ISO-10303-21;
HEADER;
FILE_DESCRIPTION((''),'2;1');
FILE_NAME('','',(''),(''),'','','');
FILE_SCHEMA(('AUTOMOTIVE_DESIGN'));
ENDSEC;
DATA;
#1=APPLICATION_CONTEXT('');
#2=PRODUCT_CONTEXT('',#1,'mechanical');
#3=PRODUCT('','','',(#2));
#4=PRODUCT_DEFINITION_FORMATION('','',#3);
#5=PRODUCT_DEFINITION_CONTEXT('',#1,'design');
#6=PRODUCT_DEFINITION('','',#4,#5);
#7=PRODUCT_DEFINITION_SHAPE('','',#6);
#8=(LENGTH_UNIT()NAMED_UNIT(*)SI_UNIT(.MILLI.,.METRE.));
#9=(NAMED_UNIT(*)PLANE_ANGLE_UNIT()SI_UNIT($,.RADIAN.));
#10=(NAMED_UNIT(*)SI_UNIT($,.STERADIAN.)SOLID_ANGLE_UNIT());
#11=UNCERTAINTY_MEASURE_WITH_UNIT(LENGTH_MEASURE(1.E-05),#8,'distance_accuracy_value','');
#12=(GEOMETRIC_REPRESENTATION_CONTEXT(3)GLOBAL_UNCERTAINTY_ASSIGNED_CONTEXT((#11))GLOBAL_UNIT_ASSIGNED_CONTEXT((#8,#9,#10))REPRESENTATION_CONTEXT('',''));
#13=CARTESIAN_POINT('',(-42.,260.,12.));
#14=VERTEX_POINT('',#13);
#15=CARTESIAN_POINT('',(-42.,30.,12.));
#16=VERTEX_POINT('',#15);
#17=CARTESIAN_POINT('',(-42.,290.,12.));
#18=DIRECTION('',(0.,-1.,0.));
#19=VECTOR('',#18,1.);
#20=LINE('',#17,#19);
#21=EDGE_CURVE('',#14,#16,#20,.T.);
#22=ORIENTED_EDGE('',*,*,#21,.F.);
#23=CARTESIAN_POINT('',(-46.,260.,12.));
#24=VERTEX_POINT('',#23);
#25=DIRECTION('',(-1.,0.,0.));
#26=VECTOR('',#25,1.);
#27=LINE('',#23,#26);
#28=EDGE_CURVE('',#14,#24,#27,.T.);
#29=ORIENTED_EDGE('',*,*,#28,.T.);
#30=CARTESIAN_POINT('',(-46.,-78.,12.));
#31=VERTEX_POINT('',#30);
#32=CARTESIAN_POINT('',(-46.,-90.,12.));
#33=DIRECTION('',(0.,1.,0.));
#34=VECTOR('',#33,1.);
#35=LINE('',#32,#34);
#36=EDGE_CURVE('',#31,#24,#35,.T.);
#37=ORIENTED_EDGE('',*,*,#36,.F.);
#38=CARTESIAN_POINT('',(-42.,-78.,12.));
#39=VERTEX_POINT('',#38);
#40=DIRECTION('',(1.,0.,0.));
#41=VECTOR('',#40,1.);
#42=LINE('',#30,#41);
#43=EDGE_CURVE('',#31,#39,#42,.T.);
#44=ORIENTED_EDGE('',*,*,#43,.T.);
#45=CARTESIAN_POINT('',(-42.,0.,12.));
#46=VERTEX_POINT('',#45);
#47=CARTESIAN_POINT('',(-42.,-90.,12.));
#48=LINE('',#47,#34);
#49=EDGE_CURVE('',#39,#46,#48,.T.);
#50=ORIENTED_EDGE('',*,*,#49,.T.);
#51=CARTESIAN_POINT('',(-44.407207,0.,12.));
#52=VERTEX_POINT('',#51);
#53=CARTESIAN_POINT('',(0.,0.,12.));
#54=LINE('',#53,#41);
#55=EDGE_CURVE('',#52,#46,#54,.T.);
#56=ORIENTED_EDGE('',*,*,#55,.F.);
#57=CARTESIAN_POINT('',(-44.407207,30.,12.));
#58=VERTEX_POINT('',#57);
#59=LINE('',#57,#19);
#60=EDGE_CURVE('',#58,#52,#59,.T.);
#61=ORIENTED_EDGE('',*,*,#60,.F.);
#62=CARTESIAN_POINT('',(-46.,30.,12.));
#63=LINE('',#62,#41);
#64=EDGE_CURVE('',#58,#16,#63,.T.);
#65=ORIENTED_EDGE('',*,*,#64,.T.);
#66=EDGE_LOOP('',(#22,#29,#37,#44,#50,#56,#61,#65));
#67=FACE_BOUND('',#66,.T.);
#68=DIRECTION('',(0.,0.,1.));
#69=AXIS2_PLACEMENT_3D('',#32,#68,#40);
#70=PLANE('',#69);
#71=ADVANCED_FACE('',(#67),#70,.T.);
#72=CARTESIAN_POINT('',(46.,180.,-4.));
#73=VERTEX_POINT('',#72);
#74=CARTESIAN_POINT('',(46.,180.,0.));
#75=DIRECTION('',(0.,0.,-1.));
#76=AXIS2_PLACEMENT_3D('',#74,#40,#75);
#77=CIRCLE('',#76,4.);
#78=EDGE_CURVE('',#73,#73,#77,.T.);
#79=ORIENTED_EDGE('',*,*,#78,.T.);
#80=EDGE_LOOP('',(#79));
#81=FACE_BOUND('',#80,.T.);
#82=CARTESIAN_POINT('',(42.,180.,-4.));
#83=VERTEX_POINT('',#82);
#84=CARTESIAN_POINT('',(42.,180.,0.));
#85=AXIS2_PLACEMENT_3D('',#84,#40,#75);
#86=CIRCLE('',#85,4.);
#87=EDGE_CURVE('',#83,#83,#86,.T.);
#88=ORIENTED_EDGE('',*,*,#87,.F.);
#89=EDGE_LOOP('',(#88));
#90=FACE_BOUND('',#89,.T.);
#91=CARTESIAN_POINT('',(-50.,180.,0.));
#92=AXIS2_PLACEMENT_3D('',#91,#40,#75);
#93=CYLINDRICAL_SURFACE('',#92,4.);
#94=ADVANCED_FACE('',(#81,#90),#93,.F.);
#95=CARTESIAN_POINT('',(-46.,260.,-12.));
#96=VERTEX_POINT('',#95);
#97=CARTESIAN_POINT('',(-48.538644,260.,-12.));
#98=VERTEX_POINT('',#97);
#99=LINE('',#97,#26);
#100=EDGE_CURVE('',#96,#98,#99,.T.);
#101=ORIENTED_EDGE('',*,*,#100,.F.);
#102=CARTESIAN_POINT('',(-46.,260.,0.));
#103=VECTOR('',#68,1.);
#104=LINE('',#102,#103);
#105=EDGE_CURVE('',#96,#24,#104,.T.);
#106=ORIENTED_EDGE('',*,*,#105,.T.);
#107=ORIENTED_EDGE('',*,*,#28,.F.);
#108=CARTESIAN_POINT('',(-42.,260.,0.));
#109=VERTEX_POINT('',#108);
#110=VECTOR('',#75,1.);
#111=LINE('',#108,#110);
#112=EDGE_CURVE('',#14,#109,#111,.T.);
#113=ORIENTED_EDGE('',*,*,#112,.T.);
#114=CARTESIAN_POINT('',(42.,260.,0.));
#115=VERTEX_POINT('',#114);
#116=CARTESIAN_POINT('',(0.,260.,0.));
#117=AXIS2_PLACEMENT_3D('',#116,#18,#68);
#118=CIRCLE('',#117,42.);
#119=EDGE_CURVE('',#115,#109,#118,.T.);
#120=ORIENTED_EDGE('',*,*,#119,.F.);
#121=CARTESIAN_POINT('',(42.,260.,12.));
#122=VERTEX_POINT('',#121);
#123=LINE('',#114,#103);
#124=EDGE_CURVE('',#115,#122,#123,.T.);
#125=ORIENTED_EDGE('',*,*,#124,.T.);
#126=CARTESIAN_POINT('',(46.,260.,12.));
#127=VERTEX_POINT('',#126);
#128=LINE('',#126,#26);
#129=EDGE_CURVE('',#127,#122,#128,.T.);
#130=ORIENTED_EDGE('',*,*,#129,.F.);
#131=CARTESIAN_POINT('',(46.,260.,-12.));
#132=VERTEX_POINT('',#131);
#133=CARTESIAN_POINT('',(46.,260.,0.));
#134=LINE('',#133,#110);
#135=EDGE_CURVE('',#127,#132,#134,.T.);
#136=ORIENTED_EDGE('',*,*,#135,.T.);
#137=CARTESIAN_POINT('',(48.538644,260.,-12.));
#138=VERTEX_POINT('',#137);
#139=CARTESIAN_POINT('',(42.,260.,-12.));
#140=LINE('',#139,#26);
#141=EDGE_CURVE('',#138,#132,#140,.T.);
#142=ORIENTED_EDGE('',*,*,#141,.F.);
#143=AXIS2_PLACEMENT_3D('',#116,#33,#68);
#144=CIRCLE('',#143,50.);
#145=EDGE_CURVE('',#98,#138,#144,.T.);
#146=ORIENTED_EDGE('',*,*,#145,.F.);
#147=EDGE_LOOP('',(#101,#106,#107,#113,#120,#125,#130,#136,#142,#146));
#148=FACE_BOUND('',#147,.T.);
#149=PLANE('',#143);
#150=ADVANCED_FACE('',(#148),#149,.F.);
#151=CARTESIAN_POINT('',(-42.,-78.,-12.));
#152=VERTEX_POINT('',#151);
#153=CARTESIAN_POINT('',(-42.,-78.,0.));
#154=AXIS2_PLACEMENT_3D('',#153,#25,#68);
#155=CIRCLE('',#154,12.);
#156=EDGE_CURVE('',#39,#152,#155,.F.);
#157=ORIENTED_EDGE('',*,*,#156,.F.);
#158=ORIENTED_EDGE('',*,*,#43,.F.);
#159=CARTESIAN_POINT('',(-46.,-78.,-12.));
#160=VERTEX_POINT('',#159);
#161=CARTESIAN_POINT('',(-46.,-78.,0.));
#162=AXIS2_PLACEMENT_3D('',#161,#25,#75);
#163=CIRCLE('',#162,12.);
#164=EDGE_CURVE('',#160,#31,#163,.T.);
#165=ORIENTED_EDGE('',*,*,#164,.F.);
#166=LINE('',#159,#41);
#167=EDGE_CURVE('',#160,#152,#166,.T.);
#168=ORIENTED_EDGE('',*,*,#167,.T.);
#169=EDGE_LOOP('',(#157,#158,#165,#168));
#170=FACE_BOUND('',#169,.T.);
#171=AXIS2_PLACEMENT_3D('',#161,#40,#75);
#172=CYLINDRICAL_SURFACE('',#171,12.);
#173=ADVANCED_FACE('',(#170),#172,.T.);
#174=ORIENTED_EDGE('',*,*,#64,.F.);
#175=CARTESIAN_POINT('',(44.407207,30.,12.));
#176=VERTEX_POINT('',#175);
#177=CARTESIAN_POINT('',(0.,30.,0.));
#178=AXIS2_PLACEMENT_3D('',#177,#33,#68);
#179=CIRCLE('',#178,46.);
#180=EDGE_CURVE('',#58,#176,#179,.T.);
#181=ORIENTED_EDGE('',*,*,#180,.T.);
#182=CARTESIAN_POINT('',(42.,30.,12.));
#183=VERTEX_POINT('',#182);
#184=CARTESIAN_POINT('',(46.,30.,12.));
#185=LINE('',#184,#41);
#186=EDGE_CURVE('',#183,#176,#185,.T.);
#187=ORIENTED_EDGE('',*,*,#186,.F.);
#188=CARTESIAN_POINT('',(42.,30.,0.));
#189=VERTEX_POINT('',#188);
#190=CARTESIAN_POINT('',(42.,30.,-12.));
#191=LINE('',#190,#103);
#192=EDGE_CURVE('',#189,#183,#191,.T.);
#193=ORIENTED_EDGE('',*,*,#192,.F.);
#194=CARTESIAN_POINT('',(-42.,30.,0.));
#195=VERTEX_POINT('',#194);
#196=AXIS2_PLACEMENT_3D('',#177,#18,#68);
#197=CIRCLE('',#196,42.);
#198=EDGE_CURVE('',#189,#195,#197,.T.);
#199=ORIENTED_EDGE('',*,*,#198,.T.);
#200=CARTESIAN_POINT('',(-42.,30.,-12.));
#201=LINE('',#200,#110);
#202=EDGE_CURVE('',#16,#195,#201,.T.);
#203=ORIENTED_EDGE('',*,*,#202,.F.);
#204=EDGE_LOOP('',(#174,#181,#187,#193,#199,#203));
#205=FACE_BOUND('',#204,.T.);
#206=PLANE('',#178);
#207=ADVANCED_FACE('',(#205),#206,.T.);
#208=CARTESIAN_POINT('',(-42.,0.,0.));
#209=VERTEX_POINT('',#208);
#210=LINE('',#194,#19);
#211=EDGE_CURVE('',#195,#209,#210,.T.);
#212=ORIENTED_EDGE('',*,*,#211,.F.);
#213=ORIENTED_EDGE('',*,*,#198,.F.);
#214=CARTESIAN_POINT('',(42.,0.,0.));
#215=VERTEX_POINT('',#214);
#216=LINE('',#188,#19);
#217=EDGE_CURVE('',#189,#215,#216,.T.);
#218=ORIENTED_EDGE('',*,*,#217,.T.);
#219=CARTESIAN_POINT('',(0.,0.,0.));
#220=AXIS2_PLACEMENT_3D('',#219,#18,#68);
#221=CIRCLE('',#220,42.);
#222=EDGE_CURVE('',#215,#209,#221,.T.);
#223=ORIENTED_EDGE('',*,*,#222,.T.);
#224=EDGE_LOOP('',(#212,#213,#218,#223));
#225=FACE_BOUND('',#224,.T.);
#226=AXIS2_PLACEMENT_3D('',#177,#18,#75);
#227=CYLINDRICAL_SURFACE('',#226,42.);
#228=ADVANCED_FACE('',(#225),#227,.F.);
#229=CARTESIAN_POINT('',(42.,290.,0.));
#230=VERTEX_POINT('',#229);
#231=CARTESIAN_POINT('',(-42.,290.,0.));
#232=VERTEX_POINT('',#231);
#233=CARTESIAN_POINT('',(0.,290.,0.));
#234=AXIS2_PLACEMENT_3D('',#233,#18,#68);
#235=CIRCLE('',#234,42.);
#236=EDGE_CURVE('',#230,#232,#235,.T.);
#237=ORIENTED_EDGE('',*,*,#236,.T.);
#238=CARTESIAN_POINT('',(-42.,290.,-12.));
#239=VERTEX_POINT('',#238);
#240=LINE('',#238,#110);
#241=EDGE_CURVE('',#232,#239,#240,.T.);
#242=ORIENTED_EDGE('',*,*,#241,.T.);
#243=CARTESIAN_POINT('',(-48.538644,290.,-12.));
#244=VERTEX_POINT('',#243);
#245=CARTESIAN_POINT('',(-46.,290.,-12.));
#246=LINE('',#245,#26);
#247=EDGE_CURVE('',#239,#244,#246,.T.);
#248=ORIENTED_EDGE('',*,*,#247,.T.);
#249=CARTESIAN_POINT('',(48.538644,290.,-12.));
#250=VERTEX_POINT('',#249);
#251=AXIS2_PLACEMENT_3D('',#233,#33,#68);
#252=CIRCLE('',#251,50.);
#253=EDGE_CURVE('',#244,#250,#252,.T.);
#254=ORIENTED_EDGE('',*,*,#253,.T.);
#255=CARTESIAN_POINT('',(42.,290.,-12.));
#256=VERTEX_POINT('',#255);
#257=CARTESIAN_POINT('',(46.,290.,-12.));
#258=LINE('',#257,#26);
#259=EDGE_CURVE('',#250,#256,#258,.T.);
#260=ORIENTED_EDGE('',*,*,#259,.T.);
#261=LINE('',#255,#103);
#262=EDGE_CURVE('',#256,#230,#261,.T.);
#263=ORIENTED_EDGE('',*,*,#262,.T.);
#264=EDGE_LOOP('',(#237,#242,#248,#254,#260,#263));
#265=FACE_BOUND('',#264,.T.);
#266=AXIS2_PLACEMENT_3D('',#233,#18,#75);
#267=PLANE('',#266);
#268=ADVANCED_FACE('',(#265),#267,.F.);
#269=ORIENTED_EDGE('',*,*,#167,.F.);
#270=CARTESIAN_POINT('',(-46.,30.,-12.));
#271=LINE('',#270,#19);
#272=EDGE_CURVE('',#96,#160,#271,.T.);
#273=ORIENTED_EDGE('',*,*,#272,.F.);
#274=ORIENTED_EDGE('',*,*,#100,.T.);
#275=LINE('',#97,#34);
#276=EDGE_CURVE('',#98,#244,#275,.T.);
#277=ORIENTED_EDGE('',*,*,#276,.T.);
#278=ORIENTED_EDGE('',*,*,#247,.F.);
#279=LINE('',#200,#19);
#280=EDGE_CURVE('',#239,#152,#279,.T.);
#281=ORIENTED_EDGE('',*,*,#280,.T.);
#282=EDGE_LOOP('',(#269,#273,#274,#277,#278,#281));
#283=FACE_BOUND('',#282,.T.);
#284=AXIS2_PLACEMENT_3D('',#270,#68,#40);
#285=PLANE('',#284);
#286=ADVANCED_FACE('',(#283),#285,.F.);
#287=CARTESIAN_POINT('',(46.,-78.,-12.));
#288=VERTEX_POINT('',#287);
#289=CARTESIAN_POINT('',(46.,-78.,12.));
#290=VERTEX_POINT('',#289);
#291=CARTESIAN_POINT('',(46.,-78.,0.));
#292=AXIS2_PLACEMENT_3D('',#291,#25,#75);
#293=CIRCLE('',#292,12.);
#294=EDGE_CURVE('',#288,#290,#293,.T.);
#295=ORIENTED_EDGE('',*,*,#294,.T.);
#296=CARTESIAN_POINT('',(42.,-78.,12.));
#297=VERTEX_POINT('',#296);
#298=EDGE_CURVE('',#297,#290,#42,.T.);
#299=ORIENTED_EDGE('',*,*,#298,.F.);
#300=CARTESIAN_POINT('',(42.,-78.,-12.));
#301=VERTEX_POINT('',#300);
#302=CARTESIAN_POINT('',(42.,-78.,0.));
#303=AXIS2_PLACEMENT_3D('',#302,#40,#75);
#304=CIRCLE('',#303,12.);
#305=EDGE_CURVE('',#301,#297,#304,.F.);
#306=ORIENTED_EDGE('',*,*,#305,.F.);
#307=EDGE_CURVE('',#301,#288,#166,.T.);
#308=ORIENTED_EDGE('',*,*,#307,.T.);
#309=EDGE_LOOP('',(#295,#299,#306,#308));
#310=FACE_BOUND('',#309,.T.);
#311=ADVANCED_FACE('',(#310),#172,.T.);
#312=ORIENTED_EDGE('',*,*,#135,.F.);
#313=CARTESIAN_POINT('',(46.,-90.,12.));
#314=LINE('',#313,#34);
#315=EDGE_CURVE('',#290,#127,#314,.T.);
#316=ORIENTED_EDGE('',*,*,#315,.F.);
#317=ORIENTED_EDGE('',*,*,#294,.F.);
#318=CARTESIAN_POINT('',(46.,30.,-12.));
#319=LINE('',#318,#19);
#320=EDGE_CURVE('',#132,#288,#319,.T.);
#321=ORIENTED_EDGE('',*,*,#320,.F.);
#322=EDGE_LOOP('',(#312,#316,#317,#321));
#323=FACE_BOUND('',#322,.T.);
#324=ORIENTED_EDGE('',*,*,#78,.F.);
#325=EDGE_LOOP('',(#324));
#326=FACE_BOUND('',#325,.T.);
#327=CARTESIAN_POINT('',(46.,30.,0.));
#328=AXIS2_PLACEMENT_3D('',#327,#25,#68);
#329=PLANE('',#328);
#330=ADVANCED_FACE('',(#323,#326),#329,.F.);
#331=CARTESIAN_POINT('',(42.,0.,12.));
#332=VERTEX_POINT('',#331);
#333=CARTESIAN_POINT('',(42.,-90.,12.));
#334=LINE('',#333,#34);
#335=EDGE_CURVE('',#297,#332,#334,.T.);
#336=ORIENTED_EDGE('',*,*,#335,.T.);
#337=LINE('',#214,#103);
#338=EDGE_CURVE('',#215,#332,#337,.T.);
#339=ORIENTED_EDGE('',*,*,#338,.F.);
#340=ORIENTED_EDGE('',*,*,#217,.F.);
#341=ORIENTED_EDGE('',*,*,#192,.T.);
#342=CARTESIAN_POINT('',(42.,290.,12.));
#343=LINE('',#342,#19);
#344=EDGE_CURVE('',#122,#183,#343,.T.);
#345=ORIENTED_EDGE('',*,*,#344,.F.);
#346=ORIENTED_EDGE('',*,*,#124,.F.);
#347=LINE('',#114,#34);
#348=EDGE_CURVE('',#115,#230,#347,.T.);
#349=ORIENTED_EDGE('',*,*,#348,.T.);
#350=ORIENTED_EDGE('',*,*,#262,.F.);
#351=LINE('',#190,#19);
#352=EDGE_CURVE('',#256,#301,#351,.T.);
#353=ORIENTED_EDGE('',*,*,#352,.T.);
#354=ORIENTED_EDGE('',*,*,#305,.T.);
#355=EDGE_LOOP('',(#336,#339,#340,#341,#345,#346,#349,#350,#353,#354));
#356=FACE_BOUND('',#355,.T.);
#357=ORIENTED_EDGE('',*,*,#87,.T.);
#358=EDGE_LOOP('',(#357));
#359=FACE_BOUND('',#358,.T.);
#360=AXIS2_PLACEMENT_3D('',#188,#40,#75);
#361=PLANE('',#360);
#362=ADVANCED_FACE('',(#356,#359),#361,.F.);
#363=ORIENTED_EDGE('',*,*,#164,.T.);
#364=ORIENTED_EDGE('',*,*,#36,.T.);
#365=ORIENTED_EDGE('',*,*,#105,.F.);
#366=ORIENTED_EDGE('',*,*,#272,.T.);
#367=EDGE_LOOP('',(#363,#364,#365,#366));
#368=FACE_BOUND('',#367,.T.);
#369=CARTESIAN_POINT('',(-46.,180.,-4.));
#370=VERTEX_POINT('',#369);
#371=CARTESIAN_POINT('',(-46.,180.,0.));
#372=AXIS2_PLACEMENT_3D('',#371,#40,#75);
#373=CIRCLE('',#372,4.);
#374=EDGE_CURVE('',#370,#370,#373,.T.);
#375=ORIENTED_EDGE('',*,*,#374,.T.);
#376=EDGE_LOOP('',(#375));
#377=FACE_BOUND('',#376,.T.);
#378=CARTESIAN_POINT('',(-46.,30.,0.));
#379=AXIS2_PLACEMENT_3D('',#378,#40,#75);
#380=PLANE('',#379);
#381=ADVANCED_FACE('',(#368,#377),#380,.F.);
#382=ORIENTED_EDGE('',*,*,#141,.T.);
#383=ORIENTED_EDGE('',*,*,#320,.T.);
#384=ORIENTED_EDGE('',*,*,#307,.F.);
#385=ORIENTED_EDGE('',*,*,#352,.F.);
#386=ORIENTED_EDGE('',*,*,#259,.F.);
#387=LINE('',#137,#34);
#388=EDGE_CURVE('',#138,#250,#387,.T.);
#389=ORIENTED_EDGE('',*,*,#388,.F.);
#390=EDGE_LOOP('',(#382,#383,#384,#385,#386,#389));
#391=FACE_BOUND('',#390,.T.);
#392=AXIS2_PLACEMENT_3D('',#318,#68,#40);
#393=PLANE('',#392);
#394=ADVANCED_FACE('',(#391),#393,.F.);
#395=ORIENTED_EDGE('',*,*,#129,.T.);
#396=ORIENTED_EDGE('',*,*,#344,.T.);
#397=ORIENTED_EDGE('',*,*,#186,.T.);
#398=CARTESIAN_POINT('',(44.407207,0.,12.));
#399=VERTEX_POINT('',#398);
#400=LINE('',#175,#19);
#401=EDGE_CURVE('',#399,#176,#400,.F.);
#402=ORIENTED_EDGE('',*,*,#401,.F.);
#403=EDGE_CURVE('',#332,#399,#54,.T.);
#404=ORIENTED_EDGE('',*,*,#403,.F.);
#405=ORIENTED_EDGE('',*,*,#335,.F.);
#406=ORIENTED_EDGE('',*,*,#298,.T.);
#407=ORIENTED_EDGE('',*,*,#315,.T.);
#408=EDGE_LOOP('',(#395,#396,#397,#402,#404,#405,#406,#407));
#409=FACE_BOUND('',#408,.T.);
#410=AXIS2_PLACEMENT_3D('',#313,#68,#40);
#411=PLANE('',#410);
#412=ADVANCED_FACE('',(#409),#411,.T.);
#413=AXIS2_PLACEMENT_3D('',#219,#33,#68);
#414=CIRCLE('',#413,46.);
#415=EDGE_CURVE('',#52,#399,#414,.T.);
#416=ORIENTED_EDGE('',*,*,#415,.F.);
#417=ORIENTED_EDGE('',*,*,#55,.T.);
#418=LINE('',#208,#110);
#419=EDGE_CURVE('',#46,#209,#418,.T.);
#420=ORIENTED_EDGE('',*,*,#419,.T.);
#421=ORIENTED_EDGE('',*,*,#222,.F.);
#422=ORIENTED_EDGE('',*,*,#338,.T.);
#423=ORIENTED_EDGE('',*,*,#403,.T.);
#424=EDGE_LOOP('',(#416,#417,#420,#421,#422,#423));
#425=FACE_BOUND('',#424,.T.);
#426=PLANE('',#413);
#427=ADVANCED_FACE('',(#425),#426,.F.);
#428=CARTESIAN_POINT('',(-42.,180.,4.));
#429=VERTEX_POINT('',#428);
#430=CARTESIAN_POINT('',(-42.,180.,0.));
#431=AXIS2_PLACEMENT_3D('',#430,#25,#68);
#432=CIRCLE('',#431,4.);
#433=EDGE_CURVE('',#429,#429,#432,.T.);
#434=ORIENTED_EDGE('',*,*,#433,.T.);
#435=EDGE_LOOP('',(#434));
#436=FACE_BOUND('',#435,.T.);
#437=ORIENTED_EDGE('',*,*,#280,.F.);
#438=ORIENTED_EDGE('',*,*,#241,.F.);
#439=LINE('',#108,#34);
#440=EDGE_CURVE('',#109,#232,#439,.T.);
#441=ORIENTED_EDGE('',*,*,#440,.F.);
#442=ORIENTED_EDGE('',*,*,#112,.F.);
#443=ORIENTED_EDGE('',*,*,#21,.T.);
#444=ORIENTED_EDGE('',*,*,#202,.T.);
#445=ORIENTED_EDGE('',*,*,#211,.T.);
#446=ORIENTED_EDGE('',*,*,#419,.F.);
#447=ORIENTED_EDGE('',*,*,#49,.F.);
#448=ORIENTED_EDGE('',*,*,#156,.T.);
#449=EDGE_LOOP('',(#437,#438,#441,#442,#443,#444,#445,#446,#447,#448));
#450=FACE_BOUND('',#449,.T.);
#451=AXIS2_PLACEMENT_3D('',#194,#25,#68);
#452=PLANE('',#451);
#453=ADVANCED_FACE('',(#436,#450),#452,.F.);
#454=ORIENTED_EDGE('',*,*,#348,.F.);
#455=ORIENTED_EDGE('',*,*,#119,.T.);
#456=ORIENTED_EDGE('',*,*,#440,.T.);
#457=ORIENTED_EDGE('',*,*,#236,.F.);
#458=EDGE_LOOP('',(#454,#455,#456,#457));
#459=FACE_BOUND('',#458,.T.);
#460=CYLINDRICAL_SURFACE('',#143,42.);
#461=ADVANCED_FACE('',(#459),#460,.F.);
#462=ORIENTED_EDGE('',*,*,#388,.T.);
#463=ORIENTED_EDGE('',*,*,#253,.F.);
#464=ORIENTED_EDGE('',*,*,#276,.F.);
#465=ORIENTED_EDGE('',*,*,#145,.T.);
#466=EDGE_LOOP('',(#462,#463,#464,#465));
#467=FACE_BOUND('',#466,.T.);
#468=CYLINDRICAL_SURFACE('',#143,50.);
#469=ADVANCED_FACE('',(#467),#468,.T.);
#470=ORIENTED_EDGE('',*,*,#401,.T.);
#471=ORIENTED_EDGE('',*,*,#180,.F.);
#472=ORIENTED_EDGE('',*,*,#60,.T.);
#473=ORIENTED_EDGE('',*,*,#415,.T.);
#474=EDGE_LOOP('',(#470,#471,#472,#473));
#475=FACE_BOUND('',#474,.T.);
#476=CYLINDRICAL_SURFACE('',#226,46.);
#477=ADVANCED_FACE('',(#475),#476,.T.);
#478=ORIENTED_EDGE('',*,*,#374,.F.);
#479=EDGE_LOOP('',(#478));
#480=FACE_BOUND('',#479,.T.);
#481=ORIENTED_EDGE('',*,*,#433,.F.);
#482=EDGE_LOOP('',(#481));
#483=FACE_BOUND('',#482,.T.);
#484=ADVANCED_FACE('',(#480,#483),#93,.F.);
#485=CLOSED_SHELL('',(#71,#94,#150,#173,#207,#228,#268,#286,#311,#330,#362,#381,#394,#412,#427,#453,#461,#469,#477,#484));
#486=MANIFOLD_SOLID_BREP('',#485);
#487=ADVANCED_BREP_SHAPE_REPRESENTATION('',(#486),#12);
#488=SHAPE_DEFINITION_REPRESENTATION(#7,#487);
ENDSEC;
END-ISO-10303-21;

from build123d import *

# Parameters (mm, degrees)
EXTRUDE_1_DEPTH     = 30
SKETCH_2_W          = 4
SKETCH_2_H          = 24
EXTRUDE_2_DEPTH     = 120
CUT_EXTRUDE_1_DEPTH = 137.674796506
SKETCH_4_W          = 4
SKETCH_4_H          = 24
EXTRUDE_3_DEPTH     = 260
EXTRUDE_START       = -30
EXTRUDE_4_DEPTH     = 30
SKETCH_6_R          = 4
CUT_EXTRUDE_2_DEPTH = 310.541596559


with BuildPart() as part:
    # 草图1 → 凸台-拉伸1 (new body)
    with BuildSketch(Plane(origin=(0, 0, 0), x_dir=(1, 0, 0), z_dir=(0, 1, 0))):
        with BuildLine():
            Line((-46, 0), (-46, 12))
            Line((-46, 12), (-42, 12))
            Line((-42, 12), (-42, 0))
            ThreePointArc((-42, 0), (0, -42), (42, 0))
            Line((42, 0), (42, 12))
            Line((42, 12), (46, 12))
            Line((46, 12), (46, 0))
            ThreePointArc((46, 0), (0, -46), (-46, 0))
        make_face()
    extrude(amount=EXTRUDE_1_DEPTH)

    # 草图2 → 凸台-拉伸2 (add)
    with BuildSketch(Plane(origin=(0, 30, 0), x_dir=(1, 0, 0), z_dir=(0, 1, 0))):
        with Locations((-44, 0)):
            Rectangle(SKETCH_2_W, SKETCH_2_H)
        with Locations((44, 0)):
            Rectangle(SKETCH_2_W, SKETCH_2_H)
    extrude(amount=-EXTRUDE_2_DEPTH)

    # 草图3 → 切除-拉伸1 (cut, through all)
    with BuildSketch(Plane(origin=(46, 0, 0), x_dir=(0, 0, -1), z_dir=(1, 0, 0))):
        with BuildLine():
            Line((-12, -78), (-12, -98.506149354))
            Line((-12, -98.506149354), (12, -98.506149354))
            Line((12, -98.506149354), (12, -78))
            ThreePointArc((12, -78), (0, -90), (-12, -78))
        make_face()
    extrude(amount=-CUT_EXTRUDE_1_DEPTH, mode=Mode.SUBTRACT)

    # 草图4 → 凸台-拉伸3 (add)
    with BuildSketch(Plane(origin=(0, 30, 0), x_dir=(1, 0, 0), z_dir=(0, 1, 0))):
        with Locations((44, 0)):
            Rectangle(SKETCH_4_W, SKETCH_4_H)
        with Locations((-44, 0)):
            Rectangle(SKETCH_4_W, SKETCH_4_H)
    extrude(amount=EXTRUDE_3_DEPTH)

    # 草图5 → 凸台-拉伸4 (add)
    with BuildSketch(Plane(origin=(0, 290, 0), x_dir=(1, 0, 0), z_dir=(0, 1, 0)).offset(EXTRUDE_START)):
        with BuildLine():
            Line((-48.538644398, 12), (-42, 12))
            Line((-42, 12), (-42, 0))
            ThreePointArc((-42, 0), (0, -42), (42, 0))
            Line((42, 0), (42, 12))
            Line((42, 12), (48.538644398, 12))
            ThreePointArc((48.538644398, 12), (0, -50), (-48.538644398, 12))
        make_face()
    extrude(amount=EXTRUDE_4_DEPTH)

    # 草图6 → 切除-拉伸2 (cut, through all)
    with BuildSketch(Plane(origin=(46, 0, 0), x_dir=(0, 0, -1), z_dir=(1, 0, 0))):
        with Locations((0, 180)):
            Circle(SKETCH_6_R)
    extrude(amount=-CUT_EXTRUDE_2_DEPTH, mode=Mode.SUBTRACT)


solid = part.part
